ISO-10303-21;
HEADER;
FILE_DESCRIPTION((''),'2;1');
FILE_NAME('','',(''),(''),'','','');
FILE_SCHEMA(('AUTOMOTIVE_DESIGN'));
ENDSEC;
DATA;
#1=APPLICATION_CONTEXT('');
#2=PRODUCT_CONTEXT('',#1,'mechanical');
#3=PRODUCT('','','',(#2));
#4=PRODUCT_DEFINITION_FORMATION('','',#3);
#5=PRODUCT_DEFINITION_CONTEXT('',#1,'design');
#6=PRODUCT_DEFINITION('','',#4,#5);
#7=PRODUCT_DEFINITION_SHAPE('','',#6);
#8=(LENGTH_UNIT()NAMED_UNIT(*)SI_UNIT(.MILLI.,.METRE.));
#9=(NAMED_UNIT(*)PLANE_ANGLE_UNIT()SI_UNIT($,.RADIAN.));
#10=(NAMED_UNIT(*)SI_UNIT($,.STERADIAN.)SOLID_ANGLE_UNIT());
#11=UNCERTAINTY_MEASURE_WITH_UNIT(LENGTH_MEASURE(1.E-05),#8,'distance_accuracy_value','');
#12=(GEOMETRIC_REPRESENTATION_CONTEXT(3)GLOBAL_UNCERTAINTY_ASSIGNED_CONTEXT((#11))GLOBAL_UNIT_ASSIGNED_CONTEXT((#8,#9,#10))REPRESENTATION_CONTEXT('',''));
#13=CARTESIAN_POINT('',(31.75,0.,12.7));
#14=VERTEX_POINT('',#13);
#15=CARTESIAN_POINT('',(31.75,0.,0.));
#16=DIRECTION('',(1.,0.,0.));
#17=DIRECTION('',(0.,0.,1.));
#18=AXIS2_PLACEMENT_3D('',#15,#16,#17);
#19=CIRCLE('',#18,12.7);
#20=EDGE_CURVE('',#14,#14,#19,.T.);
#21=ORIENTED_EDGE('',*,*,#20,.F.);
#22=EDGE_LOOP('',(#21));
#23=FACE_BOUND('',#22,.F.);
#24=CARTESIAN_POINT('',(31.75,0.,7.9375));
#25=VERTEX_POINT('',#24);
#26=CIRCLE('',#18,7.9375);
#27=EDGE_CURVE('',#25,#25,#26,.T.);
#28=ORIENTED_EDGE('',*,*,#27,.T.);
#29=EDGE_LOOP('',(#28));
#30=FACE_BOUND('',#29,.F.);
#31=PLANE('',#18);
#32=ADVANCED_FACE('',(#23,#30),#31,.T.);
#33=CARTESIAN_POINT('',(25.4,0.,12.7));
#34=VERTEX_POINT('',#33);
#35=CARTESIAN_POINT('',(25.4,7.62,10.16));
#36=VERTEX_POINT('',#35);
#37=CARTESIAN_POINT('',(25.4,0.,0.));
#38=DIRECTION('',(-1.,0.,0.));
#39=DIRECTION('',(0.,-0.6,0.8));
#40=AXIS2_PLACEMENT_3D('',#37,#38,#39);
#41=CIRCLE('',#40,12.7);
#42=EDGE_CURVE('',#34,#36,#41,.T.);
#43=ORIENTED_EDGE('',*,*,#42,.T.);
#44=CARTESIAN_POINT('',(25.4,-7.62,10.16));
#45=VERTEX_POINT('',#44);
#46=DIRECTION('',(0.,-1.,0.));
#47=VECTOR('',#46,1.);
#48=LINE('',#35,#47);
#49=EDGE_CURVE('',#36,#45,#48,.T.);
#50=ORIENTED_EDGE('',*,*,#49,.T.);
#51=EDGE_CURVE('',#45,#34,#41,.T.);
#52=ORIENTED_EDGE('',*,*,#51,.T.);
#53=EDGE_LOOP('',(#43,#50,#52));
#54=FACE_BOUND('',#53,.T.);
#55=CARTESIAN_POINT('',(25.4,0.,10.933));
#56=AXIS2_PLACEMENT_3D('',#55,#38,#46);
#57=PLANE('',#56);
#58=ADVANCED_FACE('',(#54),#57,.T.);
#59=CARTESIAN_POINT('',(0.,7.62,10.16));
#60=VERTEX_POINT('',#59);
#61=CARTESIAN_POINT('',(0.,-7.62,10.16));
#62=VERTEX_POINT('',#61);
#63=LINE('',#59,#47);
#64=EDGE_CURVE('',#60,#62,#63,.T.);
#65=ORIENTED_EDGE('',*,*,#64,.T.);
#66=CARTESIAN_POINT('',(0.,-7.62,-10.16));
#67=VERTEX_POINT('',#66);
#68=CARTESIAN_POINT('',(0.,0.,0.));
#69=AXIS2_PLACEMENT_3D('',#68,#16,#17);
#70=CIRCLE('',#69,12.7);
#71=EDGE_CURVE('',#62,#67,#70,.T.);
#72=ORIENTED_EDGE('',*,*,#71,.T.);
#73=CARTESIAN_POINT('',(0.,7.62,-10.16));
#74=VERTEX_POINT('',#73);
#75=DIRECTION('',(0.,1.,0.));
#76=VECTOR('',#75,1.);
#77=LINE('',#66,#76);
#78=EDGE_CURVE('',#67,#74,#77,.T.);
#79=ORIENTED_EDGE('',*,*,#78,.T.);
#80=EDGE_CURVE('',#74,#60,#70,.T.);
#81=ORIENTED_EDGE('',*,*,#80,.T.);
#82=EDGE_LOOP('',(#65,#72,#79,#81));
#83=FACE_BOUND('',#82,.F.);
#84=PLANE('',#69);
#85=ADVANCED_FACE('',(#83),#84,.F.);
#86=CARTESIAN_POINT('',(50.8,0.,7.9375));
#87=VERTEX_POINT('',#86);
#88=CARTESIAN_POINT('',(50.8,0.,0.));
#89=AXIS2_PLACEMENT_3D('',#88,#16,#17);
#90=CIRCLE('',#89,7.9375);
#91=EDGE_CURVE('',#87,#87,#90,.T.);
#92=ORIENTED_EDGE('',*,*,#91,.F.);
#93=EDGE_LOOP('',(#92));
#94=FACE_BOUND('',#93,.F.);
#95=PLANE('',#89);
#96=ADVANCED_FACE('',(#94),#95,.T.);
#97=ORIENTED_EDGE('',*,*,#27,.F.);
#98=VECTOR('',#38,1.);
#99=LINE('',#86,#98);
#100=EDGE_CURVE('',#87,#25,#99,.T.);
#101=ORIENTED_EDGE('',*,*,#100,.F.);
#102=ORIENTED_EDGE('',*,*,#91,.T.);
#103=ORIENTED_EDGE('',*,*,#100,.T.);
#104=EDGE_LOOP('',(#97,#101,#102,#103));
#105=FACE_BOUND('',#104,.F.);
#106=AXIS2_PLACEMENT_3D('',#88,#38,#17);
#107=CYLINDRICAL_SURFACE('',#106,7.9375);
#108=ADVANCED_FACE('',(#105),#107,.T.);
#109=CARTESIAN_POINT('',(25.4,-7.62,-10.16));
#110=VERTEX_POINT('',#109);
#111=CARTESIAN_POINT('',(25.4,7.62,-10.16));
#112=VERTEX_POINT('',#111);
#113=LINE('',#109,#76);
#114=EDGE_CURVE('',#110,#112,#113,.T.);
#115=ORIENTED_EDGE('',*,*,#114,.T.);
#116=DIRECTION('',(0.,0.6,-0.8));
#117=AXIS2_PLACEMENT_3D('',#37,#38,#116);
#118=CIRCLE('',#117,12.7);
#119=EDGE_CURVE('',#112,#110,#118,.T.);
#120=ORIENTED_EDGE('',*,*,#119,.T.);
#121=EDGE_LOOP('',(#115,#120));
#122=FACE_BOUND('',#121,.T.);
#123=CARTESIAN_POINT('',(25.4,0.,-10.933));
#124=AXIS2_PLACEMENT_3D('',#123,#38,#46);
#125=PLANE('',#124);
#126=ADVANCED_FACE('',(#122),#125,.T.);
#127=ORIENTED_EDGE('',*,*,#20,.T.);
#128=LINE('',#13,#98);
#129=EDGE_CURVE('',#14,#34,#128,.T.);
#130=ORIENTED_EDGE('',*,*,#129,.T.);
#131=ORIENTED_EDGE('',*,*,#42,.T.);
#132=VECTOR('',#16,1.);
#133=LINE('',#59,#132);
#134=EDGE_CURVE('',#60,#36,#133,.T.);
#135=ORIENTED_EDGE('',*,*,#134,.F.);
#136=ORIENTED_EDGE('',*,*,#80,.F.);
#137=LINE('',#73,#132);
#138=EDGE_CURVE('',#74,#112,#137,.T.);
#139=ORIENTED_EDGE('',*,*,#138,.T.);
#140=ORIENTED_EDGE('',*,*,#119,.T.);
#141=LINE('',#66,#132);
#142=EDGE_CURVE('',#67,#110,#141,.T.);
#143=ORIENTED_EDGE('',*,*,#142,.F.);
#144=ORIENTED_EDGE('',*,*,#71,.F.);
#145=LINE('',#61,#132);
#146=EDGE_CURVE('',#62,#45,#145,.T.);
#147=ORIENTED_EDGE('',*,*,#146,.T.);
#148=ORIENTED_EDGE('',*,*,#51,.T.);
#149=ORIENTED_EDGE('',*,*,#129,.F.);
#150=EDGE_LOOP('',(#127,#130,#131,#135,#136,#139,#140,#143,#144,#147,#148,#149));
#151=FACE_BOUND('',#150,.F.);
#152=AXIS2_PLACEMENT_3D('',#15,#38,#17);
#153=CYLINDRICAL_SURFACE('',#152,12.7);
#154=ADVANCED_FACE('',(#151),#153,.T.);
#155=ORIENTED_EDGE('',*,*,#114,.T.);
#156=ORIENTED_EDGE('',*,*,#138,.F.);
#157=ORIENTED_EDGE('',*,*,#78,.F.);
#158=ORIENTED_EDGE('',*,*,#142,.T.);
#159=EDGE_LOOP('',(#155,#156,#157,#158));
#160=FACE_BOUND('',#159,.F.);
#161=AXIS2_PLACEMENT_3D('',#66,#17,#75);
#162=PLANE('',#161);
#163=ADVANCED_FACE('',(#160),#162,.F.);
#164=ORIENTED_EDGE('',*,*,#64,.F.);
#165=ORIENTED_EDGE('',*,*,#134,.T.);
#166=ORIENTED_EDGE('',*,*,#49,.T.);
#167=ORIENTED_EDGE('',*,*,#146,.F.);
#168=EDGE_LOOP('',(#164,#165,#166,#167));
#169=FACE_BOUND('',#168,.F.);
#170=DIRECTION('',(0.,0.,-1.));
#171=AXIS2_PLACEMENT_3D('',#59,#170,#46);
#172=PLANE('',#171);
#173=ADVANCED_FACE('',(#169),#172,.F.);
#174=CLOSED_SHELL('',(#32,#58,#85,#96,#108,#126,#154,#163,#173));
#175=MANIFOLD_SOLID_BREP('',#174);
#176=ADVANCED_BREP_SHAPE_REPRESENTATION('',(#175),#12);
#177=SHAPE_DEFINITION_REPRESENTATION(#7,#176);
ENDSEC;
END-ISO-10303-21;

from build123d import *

# Parameters (mm, degrees)
F3_DEPTH = 25.4


with BuildPart() as f1:
    # F0 (on Front) → F1 (revolve)
    with BuildSketch(Plane.XZ):
        Polygon((31.75, 12.7), (0, 12.7), (0, 0), (50.8, 0), (50.8, 7.9375), (31.75, 7.9375), align=None)
    revolve(axis=Axis((24.74322, 0, 0), (1, 0, 0)))

    # F2 (on face) → F3 (cut)
    with BuildSketch(Plane(origin=(0, 0, 0), x_dir=(0, -1, 0), z_dir=(-1, 0, 0))):
        with BuildLine():
            ThreePointArc((7.62, 10.16), (0, 12.7), (-7.62, 10.16))
            Line((-7.62, 10.16), (7.62, 10.16))
        make_face()
        with BuildLine():
            Line((7.62, -10.16), (-7.62, -10.16))
            ThreePointArc((-7.62, -10.16), (0, -12.7), (7.62, -10.16))
        make_face()
    extrude(amount=-F3_DEPTH, mode=Mode.SUBTRACT)


solid = f1.part
